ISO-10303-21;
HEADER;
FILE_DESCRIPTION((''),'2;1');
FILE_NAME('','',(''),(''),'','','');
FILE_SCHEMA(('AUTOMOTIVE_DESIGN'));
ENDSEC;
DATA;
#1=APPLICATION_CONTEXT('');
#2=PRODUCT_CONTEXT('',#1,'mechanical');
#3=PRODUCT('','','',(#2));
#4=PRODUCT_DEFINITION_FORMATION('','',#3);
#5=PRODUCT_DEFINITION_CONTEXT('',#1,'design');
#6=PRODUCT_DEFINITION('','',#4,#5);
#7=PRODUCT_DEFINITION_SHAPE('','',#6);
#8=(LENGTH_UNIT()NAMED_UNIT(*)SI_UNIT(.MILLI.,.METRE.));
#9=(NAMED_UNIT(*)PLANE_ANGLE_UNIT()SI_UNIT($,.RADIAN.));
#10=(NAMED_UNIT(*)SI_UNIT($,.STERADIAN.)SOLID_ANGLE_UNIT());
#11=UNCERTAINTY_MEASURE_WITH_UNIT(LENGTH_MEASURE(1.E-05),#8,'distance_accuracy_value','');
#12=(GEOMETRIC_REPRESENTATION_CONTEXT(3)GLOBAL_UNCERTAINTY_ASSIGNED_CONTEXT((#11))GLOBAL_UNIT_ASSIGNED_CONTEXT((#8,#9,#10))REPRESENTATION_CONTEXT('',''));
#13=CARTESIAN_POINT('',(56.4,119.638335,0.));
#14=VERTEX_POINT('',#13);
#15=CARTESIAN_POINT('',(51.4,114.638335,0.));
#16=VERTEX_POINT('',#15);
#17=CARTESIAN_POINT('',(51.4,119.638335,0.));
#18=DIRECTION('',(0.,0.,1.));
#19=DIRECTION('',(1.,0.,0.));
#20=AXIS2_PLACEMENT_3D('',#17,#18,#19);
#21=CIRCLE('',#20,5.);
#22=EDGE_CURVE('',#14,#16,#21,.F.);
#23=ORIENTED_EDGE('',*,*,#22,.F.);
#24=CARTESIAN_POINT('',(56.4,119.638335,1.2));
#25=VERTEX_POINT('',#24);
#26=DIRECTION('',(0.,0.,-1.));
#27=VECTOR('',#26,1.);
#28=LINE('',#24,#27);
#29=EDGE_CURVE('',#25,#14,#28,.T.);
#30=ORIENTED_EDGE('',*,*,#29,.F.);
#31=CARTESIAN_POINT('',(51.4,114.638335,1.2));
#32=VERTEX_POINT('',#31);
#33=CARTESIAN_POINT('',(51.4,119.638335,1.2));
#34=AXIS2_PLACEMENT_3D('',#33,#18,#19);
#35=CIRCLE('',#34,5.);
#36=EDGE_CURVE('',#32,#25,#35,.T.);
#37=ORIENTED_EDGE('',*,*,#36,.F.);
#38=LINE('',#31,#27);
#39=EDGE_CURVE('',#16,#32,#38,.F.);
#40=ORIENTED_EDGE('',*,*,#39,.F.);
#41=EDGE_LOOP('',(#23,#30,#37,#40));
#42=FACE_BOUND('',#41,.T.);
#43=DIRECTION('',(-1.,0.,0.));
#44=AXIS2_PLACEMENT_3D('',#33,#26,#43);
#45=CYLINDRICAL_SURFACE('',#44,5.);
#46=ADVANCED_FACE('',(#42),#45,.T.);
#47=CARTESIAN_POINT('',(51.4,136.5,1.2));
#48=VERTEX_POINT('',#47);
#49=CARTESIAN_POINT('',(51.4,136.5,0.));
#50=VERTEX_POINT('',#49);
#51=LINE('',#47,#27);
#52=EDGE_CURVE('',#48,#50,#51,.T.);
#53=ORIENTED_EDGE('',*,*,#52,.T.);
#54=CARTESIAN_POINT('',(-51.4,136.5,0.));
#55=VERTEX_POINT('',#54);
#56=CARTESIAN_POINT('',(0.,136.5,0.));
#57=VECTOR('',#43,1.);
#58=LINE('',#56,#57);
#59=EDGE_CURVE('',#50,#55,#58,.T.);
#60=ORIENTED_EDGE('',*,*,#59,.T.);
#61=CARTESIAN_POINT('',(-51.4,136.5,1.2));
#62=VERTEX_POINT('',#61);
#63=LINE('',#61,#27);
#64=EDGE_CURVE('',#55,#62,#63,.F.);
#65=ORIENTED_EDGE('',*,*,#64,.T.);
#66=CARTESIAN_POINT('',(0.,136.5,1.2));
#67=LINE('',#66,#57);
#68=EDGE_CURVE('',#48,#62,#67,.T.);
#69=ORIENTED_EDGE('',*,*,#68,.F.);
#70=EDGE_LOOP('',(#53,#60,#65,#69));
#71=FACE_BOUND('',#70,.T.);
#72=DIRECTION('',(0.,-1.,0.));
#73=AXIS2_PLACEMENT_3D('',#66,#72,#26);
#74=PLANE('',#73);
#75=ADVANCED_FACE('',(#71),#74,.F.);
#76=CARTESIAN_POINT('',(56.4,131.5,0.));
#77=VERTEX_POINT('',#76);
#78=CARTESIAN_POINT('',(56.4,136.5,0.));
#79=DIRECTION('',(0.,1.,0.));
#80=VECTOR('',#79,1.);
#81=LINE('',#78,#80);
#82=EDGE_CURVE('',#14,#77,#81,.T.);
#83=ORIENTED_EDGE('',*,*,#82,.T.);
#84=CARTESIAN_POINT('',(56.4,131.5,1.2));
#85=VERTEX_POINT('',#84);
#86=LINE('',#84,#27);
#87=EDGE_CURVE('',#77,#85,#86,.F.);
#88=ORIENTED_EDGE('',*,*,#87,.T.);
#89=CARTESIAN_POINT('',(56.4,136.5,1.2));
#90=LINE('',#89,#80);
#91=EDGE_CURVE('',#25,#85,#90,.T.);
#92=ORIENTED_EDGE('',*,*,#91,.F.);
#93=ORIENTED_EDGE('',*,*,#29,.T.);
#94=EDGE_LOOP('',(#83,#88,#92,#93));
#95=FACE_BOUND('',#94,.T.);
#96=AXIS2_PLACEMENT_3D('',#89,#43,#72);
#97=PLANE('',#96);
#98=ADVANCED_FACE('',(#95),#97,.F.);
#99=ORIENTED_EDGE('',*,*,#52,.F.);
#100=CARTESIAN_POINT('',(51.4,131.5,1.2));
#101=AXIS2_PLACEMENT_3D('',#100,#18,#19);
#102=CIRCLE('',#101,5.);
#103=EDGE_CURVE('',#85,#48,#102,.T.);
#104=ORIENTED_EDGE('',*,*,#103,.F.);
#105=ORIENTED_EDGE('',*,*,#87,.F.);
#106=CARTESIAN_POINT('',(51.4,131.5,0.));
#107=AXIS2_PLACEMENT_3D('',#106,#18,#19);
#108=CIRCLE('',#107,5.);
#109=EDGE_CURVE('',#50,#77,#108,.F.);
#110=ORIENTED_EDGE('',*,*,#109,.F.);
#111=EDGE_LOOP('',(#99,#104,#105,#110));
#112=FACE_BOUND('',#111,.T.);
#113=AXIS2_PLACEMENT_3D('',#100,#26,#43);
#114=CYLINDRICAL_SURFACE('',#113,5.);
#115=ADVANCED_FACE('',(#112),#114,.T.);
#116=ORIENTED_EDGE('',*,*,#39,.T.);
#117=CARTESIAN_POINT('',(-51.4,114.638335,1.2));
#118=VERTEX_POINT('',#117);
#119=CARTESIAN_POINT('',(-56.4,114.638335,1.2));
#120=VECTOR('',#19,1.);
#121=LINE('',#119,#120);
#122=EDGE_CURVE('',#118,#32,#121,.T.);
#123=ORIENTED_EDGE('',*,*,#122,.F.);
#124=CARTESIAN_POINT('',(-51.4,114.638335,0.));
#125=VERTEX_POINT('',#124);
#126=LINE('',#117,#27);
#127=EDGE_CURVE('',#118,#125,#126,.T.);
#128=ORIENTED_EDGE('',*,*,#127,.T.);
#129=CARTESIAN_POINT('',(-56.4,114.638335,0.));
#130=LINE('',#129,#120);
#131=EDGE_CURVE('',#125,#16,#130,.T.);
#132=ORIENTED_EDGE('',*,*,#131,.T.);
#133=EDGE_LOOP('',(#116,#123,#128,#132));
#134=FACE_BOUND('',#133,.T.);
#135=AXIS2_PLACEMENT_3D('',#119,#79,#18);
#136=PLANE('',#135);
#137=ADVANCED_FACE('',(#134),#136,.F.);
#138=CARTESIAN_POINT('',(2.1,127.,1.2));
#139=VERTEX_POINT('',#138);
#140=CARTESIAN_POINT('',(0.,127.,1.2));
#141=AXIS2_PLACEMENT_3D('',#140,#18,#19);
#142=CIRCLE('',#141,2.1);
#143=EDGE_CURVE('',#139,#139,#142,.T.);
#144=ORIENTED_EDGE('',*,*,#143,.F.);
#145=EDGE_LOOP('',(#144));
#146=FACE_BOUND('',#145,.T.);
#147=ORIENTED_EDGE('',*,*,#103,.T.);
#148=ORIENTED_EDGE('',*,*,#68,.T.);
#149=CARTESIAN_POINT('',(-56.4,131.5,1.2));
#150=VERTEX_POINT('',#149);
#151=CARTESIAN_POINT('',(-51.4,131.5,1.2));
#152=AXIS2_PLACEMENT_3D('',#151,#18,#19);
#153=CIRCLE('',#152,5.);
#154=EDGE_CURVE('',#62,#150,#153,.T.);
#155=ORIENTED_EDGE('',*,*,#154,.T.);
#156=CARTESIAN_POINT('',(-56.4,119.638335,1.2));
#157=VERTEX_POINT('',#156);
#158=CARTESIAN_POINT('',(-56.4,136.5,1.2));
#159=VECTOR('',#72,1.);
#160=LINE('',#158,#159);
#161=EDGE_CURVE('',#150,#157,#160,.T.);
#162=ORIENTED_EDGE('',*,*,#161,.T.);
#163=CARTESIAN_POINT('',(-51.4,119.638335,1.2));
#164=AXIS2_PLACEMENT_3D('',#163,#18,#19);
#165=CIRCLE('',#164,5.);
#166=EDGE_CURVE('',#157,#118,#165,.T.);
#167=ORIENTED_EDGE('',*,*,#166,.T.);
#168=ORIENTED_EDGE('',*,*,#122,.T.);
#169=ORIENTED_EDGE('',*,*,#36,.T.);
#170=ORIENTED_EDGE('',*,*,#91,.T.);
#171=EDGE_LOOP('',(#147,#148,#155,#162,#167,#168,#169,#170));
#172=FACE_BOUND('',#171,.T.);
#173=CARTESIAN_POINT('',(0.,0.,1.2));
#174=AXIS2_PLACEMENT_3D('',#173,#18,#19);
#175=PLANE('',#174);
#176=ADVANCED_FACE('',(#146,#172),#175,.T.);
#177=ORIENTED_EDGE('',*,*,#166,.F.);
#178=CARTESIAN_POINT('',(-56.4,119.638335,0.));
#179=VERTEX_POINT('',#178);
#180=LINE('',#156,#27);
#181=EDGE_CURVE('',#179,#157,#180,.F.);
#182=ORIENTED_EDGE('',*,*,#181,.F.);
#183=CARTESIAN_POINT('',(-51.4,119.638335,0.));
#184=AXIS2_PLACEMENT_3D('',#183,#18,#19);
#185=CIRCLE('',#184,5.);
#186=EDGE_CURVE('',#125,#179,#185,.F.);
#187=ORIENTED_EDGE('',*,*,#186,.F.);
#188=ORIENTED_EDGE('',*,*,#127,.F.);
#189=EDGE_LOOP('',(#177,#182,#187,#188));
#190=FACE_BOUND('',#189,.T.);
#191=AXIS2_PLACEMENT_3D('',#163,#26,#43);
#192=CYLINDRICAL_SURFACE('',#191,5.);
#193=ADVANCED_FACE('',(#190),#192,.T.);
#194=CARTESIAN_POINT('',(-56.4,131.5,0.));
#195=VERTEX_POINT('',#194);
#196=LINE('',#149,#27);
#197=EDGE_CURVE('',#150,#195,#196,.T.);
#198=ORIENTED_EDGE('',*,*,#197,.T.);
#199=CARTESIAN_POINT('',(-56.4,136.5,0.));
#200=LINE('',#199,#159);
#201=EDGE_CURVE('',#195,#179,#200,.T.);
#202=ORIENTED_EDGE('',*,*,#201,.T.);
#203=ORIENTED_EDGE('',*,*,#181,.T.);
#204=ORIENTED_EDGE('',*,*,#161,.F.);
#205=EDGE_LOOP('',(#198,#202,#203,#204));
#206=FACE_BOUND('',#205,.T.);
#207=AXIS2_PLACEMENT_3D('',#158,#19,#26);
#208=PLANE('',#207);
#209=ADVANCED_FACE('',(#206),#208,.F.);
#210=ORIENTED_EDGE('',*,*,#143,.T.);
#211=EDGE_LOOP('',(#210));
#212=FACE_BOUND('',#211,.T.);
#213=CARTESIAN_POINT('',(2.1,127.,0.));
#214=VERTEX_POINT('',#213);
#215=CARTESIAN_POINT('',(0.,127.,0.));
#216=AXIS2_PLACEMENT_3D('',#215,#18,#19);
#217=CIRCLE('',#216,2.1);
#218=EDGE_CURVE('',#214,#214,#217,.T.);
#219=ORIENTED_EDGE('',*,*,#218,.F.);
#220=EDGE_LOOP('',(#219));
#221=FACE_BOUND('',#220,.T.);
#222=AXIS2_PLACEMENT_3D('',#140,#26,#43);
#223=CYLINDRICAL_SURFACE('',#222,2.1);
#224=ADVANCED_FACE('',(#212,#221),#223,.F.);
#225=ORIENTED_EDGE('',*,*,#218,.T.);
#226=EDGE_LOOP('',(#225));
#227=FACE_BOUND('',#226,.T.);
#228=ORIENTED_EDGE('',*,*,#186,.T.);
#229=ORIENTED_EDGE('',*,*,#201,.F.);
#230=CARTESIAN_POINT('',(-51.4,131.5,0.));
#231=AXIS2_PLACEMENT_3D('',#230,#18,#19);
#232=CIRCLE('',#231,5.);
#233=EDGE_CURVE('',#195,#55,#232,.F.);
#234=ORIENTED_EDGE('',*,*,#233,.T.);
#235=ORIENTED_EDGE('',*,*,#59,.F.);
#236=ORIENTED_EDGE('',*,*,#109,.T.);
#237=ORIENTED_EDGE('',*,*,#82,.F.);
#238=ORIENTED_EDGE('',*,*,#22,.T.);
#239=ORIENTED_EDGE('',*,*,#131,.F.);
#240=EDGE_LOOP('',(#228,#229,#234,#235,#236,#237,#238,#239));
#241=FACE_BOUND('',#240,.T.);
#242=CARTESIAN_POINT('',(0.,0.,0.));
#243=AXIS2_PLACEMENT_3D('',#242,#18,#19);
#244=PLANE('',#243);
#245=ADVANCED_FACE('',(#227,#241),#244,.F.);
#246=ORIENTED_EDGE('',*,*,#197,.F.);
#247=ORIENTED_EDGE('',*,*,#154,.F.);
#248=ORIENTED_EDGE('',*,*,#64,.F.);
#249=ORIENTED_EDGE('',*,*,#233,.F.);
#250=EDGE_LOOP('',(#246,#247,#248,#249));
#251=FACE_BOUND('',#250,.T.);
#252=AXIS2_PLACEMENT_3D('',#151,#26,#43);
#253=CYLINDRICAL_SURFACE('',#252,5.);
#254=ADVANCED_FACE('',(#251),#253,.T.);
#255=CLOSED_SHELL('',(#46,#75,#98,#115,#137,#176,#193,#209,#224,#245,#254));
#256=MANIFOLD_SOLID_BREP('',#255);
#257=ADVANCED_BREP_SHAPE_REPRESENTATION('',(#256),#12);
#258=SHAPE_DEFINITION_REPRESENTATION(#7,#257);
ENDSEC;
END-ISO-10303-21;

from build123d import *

# Parameters (mm, degrees)
SKETCH1_R           = 2.1
BOSS_EXTRUDE1_DEPTH = 1.2
FILLET1_R           = 5


with BuildPart() as part:
    # Sketch1 → Boss-Extrude1 (new body)
    with BuildSketch(Plane.XY):
        Polygon((-56.4, 136.5), (-56.4, 114.638335016), (56.4, 114.638335016), (56.4, 136.5), (0, 136.5), align=None)
        with Locations((0, 127)):
            Circle(SKETCH1_R, mode=Mode.SUBTRACT)
    extrude(amount=BOSS_EXTRUDE1_DEPTH)

    # Fillet1
    fillet1_edges = [part.edges().sort_by_distance(p)[0] for p in [
        (56.4, 114.638335016, 0.6),
        (-56.4, 114.638335016, 0.6),
        (-56.4, 136.5, 0.6),
        (56.4, 136.5, 0.6),
    ]]
    fillet(fillet1_edges, radius=FILLET1_R)


solid = part.part
